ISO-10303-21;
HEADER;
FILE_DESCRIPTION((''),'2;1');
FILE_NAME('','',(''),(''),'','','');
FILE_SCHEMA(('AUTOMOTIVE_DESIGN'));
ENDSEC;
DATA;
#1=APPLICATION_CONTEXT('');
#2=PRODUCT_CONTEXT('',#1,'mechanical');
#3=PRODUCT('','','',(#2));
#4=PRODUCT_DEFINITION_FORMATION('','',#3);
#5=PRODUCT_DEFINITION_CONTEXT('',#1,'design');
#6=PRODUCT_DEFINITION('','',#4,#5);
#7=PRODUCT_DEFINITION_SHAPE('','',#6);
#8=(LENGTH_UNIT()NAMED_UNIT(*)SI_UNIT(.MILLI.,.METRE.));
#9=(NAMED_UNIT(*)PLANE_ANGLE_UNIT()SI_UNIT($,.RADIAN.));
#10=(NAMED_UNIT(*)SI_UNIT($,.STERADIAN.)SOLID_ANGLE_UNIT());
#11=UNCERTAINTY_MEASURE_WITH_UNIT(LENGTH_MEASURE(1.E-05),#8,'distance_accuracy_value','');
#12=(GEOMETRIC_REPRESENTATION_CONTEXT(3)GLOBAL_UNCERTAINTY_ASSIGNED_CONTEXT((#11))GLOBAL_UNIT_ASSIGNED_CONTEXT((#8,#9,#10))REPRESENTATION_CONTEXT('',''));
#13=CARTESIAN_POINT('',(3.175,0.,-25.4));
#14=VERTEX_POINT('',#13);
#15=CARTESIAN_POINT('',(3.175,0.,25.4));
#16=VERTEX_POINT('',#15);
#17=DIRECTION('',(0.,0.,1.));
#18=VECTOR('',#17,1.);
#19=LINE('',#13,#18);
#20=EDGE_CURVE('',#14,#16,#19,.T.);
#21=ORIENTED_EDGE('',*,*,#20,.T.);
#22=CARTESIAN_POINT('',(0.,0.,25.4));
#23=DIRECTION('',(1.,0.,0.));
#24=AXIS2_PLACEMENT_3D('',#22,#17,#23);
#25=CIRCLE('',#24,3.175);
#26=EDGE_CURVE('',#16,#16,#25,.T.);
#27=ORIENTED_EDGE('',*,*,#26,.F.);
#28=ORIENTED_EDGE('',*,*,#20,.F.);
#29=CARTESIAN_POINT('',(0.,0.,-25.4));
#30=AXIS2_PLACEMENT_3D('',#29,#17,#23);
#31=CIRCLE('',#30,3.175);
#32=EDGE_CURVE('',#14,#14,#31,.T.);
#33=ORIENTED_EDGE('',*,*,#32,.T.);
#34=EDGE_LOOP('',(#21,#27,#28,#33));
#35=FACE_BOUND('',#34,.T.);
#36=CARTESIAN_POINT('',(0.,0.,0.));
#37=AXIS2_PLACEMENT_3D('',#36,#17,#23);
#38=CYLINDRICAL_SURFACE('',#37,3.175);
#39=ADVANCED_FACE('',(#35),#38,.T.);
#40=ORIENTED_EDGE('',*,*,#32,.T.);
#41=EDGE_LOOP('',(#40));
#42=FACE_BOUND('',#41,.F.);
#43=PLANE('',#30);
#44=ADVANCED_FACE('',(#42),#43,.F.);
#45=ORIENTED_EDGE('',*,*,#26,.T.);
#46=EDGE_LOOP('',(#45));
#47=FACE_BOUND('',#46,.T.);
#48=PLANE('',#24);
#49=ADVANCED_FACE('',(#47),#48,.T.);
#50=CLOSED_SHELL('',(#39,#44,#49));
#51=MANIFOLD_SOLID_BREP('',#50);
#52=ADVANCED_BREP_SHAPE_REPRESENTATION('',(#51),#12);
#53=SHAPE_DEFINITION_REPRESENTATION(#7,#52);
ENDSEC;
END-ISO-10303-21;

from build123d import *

# Parameters (mm, degrees)
SKETCH1_R           = 3.175
BOSS_EXTRUDE1_DEPTH = 25.4


with BuildPart() as part:
    # Sketch1 → Boss-Extrude1 (new body, symmetric)
    with BuildSketch(Plane.XY):
        Circle(SKETCH1_R)
    extrude(amount=BOSS_EXTRUDE1_DEPTH, both=True)


solid = part.part
